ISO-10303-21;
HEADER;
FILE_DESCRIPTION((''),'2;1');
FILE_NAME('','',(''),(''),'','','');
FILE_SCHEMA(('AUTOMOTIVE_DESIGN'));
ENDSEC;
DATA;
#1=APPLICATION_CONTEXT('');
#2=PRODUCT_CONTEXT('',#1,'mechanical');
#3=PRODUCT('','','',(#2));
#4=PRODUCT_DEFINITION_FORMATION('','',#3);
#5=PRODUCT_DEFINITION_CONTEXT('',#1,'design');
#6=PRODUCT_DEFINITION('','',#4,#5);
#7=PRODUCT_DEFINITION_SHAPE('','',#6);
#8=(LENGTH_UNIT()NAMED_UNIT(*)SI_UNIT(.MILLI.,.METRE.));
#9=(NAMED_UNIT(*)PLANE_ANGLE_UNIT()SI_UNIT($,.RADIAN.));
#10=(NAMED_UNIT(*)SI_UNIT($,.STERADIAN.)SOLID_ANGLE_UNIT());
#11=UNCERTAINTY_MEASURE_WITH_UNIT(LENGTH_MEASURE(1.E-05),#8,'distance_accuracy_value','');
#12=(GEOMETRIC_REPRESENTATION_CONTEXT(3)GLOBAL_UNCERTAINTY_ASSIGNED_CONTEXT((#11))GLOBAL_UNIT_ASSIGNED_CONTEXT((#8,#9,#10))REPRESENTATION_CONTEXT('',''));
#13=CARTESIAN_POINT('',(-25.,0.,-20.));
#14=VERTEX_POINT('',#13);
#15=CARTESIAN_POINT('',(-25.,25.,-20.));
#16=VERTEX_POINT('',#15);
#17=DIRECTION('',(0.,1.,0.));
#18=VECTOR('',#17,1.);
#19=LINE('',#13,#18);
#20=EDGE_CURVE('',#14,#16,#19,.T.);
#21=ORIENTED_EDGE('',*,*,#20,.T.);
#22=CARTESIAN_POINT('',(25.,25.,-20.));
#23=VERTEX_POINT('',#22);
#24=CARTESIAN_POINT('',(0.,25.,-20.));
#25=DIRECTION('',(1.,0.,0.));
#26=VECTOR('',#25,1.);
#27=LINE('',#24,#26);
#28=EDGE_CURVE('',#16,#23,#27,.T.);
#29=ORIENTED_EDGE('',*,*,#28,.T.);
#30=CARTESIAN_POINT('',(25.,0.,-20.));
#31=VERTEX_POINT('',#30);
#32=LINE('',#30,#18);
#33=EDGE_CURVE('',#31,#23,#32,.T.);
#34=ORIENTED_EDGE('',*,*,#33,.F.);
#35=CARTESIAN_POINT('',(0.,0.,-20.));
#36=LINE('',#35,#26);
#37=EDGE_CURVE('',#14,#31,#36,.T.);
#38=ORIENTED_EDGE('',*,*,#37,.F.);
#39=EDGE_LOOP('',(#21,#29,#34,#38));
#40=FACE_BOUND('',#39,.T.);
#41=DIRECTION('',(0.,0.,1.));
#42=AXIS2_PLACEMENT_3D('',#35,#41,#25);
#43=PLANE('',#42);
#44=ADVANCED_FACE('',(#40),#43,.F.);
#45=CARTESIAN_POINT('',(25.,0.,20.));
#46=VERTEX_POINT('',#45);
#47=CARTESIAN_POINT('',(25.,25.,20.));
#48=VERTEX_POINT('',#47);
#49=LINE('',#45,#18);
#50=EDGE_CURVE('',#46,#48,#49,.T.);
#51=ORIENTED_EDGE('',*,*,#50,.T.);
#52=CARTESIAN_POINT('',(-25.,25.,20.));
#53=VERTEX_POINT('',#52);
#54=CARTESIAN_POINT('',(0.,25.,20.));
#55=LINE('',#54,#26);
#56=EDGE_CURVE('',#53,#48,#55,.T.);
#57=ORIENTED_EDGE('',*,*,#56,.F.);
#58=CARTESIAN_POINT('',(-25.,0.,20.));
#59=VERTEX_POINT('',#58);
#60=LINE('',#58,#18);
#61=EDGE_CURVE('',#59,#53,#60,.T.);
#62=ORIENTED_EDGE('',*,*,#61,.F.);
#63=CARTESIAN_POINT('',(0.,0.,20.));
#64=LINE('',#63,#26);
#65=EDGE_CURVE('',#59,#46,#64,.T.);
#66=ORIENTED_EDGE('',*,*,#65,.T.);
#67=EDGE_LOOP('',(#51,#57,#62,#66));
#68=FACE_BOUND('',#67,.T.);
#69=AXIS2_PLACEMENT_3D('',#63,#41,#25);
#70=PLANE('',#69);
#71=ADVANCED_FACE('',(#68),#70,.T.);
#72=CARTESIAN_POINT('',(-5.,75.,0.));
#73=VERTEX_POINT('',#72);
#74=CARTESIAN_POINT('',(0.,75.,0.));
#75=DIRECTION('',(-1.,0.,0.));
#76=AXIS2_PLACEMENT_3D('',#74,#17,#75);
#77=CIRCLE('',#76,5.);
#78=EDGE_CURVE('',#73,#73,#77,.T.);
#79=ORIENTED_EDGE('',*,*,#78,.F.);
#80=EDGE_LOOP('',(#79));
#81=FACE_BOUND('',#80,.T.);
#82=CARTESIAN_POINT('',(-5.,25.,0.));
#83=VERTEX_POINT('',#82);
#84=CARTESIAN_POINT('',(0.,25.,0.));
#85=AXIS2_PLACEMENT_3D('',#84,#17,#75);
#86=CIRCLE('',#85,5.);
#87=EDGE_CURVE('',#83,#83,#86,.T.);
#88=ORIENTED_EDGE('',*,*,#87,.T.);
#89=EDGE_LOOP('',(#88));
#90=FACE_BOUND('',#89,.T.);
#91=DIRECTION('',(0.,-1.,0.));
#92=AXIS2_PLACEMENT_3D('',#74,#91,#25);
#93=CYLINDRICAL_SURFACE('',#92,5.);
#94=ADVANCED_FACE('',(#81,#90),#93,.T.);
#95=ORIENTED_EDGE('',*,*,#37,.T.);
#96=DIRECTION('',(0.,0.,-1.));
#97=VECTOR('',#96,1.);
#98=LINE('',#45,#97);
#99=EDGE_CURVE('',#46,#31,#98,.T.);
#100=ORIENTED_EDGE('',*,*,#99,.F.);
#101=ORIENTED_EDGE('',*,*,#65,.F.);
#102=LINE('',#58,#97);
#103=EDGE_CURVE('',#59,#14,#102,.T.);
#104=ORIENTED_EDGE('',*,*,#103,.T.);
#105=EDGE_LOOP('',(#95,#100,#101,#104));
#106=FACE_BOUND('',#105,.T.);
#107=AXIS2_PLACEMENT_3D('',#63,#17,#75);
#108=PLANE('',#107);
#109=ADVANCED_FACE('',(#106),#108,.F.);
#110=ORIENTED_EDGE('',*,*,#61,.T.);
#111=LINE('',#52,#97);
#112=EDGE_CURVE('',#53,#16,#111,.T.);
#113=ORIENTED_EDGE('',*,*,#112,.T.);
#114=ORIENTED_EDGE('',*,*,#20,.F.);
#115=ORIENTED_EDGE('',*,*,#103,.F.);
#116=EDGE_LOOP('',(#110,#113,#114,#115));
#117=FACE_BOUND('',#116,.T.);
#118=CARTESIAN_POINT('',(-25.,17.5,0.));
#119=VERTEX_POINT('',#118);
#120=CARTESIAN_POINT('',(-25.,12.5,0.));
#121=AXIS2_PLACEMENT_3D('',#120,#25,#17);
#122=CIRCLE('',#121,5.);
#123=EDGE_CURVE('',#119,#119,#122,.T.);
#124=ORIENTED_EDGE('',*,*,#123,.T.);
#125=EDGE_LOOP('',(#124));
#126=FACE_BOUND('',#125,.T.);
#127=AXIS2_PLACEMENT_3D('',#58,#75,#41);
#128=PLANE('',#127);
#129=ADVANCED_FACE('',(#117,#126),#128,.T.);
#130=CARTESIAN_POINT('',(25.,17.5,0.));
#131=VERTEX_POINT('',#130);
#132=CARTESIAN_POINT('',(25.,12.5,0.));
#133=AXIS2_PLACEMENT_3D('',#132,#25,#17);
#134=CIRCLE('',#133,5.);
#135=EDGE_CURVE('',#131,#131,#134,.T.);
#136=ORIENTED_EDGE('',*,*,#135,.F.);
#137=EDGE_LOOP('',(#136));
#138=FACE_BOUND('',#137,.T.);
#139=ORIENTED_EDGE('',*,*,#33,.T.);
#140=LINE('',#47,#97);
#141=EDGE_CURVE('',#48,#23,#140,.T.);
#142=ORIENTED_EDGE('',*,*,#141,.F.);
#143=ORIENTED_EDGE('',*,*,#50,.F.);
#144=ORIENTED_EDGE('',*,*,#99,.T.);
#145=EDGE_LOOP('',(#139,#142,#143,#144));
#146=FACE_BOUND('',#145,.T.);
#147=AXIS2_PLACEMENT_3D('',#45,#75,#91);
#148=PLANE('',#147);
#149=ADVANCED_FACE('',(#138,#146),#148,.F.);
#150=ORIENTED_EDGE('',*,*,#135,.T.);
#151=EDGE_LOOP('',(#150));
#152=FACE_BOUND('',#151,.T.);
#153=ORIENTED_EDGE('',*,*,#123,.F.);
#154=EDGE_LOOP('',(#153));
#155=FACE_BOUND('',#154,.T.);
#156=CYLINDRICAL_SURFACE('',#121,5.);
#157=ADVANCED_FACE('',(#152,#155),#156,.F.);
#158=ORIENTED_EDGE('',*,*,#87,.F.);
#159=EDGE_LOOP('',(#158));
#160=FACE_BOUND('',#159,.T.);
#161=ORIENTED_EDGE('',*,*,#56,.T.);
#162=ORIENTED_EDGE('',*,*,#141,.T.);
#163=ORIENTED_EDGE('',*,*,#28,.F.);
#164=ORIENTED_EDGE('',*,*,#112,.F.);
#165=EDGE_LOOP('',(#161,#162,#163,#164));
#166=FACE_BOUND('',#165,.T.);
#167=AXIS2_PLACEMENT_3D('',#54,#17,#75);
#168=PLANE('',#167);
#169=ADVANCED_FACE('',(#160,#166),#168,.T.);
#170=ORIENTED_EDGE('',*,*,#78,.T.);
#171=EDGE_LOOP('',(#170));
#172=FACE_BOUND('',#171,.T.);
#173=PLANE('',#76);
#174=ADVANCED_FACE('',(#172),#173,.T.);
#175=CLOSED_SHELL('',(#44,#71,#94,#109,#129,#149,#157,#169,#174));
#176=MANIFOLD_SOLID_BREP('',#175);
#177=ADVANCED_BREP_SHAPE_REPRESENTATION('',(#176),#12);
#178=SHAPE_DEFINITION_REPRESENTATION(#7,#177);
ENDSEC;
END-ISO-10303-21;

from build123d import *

# Parameters (mm, degrees)
SKETCH1_W           = 50
SKETCH1_H           = 25
BOSS_EXTRUDE1_DEPTH = 20
SKETCH4_R           = 5
BOSS_EXTRUDE2_DEPTH = 50
CUT_EXTRUDE1_DEPTH  = 50


with BuildPart() as part:
    # Sketch1 → Boss-Extrude1 (new, symmetric)
    with BuildSketch(Plane.XY):
        with Locations((0, 12.5)):
            Rectangle(SKETCH1_W, SKETCH1_H)
    extrude(amount=BOSS_EXTRUDE1_DEPTH, both=True)

    # Sketch4 → Boss-Extrude2 (add)
    with BuildSketch(Plane(origin=(0, 25, 0), x_dir=(1, 0, 0), z_dir=(0, 1, 0))):
        with Locations(Location((0, 0, 0), (0, 0, 180))):
            Circle(SKETCH4_R)
    extrude(amount=BOSS_EXTRUDE2_DEPTH)

    # Sketch6 → Cut-Extrude1 (cut)
    with BuildSketch(Plane(origin=(25, 0, 0), x_dir=(0, 0, -1), z_dir=(1, 0, 0))):
        with BuildLine():
            ThreePointArc((5, 12.5), (3.535533906, 16.035533906), (0, 17.5))
            Line((0, 17.5), (0, 7.5))
            ThreePointArc((0, 7.5), (3.535533906, 8.964466094), (5, 12.5))
        make_face()
        with BuildLine():
            Line((0, 7.5), (0, 17.5))
            ThreePointArc((0, 17.5), (-5, 12.5), (0, 7.5))
        make_face()
    extrude(amount=-CUT_EXTRUDE1_DEPTH, mode=Mode.SUBTRACT)


solid = part.part
